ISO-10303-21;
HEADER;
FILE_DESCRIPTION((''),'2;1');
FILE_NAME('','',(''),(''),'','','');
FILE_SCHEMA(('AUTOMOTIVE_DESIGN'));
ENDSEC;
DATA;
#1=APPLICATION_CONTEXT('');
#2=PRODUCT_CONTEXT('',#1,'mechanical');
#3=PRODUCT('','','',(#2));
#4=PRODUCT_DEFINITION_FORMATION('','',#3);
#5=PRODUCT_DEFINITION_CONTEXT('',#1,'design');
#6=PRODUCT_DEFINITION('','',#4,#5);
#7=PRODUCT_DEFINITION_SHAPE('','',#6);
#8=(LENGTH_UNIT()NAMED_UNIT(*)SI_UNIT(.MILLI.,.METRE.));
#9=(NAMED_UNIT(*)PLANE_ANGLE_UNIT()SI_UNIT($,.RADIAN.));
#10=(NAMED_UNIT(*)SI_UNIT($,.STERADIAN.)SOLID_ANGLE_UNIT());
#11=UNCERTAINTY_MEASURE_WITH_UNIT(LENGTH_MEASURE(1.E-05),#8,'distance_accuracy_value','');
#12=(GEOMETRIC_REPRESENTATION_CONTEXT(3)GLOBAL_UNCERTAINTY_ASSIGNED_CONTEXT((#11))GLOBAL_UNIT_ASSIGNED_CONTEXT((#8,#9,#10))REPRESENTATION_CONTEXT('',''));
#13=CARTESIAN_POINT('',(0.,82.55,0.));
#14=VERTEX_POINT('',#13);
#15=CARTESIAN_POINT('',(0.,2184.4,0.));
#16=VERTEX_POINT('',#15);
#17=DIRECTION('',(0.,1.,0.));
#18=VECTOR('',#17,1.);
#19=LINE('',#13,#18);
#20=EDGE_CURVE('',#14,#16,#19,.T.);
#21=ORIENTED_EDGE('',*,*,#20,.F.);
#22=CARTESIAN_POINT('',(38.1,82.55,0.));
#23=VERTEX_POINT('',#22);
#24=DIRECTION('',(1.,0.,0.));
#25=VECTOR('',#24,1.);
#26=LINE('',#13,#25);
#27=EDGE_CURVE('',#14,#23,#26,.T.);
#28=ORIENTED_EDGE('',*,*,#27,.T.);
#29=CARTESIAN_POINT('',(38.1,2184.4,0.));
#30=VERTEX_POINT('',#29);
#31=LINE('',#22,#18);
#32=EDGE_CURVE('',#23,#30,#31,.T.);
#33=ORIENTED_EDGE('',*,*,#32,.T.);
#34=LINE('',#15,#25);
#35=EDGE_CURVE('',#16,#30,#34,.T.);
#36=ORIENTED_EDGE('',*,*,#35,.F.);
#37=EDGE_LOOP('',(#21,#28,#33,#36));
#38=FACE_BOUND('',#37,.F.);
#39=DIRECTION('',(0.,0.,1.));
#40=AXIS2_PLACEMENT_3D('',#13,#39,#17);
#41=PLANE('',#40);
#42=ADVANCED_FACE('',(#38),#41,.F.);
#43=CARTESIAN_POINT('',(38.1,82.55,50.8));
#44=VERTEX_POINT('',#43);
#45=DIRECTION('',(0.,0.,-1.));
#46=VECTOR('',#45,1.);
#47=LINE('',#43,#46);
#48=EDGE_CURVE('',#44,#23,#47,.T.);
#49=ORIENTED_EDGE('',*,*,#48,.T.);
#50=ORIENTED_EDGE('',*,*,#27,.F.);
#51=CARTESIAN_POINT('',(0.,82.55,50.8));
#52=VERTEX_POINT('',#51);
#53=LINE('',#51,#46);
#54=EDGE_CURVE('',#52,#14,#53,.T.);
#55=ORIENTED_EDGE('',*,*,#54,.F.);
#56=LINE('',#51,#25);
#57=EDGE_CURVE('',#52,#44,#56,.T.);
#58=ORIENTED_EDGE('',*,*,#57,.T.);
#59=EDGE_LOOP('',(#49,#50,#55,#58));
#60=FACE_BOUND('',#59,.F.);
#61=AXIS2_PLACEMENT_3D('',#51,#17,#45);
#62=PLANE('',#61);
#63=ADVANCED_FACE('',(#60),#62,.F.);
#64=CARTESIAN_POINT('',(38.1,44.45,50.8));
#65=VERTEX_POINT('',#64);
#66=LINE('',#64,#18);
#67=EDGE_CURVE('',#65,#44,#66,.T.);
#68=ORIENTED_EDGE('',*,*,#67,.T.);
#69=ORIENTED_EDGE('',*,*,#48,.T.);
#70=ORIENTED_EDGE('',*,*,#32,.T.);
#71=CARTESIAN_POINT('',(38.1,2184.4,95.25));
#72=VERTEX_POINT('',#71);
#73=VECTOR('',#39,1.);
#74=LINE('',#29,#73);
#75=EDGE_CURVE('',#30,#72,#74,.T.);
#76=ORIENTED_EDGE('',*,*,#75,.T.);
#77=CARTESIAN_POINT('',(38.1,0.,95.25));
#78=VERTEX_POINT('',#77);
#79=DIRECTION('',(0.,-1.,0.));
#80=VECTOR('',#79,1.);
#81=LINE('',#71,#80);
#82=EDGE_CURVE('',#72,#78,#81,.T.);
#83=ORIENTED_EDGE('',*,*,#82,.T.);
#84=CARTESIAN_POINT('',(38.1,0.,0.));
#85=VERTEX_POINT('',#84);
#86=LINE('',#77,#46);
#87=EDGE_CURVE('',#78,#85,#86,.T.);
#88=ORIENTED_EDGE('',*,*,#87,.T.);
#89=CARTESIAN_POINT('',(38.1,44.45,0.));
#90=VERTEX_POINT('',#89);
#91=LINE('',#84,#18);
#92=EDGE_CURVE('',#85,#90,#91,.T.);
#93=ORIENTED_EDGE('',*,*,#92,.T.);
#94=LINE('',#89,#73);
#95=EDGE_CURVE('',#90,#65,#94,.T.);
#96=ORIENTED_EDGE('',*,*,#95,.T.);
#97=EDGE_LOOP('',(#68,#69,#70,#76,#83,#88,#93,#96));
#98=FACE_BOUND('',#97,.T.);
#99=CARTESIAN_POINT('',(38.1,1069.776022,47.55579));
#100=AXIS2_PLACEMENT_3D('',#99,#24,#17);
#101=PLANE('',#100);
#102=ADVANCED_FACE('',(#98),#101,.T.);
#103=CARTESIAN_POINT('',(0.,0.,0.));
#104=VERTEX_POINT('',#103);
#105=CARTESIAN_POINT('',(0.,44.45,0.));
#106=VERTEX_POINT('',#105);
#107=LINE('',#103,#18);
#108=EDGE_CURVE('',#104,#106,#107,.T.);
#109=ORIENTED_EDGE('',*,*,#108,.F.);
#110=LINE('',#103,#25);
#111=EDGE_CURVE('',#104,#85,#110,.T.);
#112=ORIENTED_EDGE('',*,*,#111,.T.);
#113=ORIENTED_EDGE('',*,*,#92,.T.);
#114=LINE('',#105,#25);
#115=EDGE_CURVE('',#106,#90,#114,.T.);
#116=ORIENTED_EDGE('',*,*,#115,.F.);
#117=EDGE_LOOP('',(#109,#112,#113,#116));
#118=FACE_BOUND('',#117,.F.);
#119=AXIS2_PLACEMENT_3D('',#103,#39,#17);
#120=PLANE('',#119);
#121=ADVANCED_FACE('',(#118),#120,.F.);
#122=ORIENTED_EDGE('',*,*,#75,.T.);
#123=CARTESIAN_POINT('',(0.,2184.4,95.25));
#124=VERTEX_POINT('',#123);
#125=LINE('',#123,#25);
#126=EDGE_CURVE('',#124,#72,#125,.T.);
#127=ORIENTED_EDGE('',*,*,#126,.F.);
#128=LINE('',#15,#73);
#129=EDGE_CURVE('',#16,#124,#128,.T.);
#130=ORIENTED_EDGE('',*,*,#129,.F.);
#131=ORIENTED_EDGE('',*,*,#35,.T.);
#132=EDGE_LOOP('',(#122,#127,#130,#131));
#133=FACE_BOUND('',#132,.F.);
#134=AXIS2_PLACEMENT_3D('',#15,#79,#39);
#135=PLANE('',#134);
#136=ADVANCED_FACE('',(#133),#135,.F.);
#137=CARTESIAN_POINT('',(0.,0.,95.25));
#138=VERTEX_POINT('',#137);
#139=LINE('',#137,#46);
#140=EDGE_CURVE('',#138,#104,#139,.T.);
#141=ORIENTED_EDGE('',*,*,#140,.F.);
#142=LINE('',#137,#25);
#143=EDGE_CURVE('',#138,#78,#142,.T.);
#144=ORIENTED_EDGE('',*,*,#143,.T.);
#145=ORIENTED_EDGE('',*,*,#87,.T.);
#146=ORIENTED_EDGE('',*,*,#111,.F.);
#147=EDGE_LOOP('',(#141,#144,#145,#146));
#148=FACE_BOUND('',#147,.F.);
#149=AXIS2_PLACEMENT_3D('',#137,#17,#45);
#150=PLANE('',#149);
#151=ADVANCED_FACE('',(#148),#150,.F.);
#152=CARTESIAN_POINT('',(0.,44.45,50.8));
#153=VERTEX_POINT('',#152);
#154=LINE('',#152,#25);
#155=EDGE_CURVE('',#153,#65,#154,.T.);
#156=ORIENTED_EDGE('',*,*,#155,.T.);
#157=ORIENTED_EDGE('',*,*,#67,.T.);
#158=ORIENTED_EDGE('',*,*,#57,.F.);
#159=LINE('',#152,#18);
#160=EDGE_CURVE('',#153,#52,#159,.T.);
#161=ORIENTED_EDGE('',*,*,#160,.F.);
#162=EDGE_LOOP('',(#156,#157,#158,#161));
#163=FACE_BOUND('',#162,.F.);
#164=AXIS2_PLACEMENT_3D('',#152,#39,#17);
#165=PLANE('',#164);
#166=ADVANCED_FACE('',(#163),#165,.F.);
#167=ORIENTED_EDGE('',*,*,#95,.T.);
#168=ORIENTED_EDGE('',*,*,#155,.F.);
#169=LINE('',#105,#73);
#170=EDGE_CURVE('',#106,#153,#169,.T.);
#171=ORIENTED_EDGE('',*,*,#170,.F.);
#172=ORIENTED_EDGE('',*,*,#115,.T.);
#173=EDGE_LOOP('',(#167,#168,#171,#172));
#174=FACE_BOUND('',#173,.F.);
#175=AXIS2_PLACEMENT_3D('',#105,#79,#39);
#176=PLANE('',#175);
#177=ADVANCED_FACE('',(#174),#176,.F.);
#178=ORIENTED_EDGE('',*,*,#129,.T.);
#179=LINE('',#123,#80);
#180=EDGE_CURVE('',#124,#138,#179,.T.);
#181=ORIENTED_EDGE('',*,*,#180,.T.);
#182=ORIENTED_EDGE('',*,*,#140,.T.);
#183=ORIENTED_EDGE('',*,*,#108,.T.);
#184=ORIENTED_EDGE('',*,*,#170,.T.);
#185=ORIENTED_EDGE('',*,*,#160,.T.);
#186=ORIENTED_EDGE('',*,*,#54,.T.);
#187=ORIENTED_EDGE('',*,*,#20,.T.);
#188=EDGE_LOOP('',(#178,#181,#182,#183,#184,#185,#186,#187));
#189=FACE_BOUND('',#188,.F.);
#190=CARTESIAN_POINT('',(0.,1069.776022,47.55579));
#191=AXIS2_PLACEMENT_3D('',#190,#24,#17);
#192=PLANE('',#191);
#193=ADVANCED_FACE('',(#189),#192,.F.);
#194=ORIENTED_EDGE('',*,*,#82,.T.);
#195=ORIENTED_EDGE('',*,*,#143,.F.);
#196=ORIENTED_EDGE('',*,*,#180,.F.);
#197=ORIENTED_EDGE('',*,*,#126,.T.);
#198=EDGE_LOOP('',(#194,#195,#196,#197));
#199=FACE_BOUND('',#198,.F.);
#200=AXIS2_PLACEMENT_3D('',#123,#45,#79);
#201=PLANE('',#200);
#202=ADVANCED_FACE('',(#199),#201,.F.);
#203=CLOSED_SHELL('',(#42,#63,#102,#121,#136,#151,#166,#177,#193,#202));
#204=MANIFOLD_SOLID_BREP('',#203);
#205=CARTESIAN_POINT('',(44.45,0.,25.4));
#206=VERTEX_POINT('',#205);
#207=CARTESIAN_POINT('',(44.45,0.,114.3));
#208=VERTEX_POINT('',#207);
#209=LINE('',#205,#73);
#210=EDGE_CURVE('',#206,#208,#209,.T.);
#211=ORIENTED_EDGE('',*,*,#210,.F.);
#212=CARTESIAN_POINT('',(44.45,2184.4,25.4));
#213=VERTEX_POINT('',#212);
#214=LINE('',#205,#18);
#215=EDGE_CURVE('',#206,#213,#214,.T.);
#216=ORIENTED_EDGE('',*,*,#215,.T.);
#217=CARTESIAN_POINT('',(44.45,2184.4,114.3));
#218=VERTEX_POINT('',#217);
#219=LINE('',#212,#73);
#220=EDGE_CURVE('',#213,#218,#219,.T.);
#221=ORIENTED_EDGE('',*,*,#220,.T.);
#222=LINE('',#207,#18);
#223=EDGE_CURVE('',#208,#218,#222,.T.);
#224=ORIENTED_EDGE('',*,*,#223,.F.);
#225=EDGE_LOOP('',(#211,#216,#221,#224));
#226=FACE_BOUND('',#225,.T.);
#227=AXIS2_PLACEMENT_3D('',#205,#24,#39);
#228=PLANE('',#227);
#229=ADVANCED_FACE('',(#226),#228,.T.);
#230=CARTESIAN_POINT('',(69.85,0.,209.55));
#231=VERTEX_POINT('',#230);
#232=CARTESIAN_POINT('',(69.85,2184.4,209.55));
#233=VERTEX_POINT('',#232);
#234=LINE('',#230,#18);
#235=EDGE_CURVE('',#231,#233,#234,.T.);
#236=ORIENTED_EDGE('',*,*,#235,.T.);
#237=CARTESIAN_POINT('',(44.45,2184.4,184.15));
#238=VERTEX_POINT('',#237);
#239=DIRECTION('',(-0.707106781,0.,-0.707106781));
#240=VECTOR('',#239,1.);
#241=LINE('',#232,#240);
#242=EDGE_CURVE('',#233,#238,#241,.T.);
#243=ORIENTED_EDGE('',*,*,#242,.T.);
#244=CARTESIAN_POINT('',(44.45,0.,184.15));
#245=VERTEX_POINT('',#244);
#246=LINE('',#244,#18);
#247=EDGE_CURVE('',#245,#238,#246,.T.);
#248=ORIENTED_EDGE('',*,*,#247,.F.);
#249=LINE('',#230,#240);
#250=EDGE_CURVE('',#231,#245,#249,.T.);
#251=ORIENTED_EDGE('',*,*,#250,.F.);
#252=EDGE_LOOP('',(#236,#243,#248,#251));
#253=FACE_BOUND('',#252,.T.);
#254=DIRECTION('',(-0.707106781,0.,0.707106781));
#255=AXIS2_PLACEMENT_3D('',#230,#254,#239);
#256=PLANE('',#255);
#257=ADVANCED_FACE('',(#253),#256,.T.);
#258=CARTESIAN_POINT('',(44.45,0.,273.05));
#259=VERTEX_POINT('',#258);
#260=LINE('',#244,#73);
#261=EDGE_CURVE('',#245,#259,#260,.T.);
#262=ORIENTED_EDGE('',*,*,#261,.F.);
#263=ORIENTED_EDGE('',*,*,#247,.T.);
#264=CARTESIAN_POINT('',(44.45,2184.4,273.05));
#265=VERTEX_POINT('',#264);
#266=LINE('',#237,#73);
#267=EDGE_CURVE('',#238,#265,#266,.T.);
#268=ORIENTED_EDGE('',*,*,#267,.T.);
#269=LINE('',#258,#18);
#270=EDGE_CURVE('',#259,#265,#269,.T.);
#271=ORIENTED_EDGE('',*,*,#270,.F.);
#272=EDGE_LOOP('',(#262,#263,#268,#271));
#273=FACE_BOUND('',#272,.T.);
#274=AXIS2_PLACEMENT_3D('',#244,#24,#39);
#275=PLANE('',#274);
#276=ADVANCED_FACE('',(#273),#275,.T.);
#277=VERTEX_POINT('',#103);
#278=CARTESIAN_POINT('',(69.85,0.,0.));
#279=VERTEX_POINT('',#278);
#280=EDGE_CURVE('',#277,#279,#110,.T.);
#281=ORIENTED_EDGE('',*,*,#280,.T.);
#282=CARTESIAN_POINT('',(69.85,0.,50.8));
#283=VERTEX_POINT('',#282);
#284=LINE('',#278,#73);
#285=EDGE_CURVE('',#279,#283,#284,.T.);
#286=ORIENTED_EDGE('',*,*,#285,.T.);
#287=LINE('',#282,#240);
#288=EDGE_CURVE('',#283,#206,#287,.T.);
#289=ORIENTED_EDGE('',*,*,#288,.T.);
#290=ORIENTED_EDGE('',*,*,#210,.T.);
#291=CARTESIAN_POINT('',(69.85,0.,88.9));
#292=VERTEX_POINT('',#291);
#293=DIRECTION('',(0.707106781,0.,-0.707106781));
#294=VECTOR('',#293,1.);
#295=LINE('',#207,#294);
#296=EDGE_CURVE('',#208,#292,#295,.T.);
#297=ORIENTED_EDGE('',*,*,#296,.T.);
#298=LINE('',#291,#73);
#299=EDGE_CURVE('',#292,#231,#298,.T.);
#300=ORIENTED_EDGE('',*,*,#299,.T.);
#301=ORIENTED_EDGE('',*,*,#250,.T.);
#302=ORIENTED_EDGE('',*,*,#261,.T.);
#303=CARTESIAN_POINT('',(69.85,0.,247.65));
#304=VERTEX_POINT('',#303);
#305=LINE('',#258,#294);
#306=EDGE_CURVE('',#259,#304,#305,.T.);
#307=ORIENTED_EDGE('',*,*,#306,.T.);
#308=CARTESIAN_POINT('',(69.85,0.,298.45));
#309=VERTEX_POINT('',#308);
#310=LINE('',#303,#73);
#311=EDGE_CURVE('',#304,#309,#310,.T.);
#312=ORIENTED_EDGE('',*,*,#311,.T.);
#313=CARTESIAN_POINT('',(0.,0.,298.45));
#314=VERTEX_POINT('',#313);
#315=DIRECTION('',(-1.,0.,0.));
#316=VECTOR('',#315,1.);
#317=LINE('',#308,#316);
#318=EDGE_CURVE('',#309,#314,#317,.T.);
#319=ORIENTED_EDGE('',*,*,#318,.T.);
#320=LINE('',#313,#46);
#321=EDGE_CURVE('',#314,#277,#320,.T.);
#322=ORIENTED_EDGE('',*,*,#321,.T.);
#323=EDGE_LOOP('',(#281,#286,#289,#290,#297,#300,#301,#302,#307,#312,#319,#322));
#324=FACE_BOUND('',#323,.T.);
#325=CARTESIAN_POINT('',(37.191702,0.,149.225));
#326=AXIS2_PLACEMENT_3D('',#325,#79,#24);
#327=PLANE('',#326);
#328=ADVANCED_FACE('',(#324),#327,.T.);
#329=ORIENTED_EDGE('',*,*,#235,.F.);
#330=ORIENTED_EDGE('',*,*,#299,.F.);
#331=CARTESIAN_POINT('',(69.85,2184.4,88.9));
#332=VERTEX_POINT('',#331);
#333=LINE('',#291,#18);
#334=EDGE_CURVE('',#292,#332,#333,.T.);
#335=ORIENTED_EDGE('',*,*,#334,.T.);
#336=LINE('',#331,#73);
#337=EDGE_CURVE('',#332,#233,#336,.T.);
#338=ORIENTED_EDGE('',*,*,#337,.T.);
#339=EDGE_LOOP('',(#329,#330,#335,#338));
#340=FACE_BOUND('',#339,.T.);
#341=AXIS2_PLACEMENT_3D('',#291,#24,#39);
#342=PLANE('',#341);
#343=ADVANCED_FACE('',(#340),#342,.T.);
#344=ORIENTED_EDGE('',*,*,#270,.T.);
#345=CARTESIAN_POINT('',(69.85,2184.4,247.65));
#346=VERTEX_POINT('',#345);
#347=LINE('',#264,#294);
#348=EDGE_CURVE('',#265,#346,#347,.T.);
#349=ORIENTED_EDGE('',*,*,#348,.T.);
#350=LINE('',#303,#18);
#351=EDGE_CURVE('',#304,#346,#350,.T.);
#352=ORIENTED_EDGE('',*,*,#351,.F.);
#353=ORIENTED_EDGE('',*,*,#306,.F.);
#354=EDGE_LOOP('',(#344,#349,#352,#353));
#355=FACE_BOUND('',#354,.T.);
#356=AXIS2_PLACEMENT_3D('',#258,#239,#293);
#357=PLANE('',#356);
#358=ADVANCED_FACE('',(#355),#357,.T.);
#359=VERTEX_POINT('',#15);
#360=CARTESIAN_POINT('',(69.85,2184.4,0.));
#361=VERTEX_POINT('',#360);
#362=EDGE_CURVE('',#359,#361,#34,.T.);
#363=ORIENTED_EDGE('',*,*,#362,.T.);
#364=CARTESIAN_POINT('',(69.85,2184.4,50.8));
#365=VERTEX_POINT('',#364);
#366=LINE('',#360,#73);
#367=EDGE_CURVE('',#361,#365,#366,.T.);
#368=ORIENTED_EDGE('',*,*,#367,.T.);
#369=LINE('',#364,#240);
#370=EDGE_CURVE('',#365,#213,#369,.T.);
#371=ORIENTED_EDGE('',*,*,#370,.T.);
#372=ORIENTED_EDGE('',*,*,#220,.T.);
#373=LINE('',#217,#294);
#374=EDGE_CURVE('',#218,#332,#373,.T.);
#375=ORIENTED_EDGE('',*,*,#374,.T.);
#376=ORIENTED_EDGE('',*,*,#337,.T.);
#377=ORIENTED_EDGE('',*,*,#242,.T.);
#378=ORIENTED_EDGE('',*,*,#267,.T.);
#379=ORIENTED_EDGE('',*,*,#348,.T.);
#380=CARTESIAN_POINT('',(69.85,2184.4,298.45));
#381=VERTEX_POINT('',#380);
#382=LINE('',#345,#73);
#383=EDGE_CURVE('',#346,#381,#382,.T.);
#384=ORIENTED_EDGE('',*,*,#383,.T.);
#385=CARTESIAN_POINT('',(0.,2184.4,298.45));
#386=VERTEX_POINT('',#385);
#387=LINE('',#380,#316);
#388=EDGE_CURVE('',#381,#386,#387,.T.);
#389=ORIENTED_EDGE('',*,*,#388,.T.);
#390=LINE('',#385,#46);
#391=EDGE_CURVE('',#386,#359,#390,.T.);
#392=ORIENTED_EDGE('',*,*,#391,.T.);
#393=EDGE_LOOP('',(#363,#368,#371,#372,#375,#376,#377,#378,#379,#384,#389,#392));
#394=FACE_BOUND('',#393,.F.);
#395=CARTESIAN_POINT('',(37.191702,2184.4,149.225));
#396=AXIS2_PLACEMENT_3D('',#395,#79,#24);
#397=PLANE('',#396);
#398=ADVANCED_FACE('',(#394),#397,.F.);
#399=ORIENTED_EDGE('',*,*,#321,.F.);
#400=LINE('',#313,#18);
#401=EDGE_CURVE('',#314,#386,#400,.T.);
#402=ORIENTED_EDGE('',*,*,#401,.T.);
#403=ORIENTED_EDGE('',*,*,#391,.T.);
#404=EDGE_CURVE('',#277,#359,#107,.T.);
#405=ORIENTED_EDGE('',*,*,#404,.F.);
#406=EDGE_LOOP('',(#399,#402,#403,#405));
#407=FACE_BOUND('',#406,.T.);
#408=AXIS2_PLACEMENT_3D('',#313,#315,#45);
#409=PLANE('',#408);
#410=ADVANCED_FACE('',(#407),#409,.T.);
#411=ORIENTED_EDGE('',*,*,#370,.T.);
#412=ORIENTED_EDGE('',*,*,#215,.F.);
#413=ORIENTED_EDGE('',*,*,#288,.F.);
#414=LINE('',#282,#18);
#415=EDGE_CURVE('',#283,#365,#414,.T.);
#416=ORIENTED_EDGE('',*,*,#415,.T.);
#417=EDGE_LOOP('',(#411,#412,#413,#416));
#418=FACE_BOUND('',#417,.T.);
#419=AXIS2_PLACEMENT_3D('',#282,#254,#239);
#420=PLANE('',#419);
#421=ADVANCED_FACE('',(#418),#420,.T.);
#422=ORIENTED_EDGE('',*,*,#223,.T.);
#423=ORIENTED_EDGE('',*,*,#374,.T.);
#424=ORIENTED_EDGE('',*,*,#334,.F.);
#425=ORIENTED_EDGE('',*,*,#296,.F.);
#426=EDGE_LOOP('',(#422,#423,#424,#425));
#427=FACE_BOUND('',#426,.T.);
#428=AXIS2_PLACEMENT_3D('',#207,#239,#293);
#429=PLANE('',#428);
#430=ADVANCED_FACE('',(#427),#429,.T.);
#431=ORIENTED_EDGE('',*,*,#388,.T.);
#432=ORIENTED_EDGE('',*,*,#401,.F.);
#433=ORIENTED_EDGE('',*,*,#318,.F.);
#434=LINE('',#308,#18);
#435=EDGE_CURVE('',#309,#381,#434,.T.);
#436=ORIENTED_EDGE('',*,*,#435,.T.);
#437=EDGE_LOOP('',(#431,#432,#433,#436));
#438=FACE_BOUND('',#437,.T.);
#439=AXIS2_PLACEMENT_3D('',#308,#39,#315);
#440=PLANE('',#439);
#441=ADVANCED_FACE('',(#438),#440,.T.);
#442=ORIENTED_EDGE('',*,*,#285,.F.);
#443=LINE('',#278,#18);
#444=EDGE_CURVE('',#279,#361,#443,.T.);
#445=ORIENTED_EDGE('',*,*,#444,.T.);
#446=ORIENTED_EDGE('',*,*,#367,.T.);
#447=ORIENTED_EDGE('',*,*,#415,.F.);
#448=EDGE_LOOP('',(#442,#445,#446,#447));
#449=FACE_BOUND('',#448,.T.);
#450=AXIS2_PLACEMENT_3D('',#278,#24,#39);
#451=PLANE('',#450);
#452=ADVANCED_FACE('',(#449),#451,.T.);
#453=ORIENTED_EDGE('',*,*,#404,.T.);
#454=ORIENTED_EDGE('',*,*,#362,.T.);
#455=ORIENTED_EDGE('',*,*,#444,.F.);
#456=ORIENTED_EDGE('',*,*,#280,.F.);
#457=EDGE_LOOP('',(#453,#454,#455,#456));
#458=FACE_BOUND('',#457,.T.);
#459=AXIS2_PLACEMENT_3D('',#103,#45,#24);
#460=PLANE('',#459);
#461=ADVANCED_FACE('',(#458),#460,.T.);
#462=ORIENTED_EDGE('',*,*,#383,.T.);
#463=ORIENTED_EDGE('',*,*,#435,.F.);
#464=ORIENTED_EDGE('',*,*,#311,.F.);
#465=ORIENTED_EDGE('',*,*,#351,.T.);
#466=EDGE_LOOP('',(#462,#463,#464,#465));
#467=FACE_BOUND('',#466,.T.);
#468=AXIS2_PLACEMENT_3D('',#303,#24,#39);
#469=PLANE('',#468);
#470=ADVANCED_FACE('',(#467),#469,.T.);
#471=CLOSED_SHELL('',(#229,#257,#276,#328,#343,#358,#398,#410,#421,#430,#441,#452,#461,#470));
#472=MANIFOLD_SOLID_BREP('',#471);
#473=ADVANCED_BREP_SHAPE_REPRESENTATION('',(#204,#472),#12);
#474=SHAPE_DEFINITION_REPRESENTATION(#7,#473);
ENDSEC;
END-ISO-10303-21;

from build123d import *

# Parameters (mm, degrees)
F1_DEPTH = 38.1
F3_DEPTH = 2184.4


with BuildPart() as f1:
    # F0 (on Right) → F1 (new body)
    with BuildSketch(Plane.YZ):
        Polygon((0, 95.25), (0, 0), (44.45, 0), (44.45, 50.8), (82.55, 50.8), (82.55, 0), (2184.4, 0), (2184.4, 95.25), align=None)
    extrude(amount=F1_DEPTH)


with BuildPart() as f3:
    # F2 (on Front) → F3 (new body)
    with BuildSketch(Plane.XZ):
        Polygon((0, 298.45), (0, 0), (69.85, 0), (69.85, 50.8), (44.45, 25.4), (44.45, 114.3), (69.85, 88.9), (69.85, 209.55), (44.45, 184.15), (44.45, 273.05), (69.85, 247.65), (69.85, 298.45), align=None)
    extrude(amount=-F3_DEPTH)


solid = Compound([f1.part, f3.part])
